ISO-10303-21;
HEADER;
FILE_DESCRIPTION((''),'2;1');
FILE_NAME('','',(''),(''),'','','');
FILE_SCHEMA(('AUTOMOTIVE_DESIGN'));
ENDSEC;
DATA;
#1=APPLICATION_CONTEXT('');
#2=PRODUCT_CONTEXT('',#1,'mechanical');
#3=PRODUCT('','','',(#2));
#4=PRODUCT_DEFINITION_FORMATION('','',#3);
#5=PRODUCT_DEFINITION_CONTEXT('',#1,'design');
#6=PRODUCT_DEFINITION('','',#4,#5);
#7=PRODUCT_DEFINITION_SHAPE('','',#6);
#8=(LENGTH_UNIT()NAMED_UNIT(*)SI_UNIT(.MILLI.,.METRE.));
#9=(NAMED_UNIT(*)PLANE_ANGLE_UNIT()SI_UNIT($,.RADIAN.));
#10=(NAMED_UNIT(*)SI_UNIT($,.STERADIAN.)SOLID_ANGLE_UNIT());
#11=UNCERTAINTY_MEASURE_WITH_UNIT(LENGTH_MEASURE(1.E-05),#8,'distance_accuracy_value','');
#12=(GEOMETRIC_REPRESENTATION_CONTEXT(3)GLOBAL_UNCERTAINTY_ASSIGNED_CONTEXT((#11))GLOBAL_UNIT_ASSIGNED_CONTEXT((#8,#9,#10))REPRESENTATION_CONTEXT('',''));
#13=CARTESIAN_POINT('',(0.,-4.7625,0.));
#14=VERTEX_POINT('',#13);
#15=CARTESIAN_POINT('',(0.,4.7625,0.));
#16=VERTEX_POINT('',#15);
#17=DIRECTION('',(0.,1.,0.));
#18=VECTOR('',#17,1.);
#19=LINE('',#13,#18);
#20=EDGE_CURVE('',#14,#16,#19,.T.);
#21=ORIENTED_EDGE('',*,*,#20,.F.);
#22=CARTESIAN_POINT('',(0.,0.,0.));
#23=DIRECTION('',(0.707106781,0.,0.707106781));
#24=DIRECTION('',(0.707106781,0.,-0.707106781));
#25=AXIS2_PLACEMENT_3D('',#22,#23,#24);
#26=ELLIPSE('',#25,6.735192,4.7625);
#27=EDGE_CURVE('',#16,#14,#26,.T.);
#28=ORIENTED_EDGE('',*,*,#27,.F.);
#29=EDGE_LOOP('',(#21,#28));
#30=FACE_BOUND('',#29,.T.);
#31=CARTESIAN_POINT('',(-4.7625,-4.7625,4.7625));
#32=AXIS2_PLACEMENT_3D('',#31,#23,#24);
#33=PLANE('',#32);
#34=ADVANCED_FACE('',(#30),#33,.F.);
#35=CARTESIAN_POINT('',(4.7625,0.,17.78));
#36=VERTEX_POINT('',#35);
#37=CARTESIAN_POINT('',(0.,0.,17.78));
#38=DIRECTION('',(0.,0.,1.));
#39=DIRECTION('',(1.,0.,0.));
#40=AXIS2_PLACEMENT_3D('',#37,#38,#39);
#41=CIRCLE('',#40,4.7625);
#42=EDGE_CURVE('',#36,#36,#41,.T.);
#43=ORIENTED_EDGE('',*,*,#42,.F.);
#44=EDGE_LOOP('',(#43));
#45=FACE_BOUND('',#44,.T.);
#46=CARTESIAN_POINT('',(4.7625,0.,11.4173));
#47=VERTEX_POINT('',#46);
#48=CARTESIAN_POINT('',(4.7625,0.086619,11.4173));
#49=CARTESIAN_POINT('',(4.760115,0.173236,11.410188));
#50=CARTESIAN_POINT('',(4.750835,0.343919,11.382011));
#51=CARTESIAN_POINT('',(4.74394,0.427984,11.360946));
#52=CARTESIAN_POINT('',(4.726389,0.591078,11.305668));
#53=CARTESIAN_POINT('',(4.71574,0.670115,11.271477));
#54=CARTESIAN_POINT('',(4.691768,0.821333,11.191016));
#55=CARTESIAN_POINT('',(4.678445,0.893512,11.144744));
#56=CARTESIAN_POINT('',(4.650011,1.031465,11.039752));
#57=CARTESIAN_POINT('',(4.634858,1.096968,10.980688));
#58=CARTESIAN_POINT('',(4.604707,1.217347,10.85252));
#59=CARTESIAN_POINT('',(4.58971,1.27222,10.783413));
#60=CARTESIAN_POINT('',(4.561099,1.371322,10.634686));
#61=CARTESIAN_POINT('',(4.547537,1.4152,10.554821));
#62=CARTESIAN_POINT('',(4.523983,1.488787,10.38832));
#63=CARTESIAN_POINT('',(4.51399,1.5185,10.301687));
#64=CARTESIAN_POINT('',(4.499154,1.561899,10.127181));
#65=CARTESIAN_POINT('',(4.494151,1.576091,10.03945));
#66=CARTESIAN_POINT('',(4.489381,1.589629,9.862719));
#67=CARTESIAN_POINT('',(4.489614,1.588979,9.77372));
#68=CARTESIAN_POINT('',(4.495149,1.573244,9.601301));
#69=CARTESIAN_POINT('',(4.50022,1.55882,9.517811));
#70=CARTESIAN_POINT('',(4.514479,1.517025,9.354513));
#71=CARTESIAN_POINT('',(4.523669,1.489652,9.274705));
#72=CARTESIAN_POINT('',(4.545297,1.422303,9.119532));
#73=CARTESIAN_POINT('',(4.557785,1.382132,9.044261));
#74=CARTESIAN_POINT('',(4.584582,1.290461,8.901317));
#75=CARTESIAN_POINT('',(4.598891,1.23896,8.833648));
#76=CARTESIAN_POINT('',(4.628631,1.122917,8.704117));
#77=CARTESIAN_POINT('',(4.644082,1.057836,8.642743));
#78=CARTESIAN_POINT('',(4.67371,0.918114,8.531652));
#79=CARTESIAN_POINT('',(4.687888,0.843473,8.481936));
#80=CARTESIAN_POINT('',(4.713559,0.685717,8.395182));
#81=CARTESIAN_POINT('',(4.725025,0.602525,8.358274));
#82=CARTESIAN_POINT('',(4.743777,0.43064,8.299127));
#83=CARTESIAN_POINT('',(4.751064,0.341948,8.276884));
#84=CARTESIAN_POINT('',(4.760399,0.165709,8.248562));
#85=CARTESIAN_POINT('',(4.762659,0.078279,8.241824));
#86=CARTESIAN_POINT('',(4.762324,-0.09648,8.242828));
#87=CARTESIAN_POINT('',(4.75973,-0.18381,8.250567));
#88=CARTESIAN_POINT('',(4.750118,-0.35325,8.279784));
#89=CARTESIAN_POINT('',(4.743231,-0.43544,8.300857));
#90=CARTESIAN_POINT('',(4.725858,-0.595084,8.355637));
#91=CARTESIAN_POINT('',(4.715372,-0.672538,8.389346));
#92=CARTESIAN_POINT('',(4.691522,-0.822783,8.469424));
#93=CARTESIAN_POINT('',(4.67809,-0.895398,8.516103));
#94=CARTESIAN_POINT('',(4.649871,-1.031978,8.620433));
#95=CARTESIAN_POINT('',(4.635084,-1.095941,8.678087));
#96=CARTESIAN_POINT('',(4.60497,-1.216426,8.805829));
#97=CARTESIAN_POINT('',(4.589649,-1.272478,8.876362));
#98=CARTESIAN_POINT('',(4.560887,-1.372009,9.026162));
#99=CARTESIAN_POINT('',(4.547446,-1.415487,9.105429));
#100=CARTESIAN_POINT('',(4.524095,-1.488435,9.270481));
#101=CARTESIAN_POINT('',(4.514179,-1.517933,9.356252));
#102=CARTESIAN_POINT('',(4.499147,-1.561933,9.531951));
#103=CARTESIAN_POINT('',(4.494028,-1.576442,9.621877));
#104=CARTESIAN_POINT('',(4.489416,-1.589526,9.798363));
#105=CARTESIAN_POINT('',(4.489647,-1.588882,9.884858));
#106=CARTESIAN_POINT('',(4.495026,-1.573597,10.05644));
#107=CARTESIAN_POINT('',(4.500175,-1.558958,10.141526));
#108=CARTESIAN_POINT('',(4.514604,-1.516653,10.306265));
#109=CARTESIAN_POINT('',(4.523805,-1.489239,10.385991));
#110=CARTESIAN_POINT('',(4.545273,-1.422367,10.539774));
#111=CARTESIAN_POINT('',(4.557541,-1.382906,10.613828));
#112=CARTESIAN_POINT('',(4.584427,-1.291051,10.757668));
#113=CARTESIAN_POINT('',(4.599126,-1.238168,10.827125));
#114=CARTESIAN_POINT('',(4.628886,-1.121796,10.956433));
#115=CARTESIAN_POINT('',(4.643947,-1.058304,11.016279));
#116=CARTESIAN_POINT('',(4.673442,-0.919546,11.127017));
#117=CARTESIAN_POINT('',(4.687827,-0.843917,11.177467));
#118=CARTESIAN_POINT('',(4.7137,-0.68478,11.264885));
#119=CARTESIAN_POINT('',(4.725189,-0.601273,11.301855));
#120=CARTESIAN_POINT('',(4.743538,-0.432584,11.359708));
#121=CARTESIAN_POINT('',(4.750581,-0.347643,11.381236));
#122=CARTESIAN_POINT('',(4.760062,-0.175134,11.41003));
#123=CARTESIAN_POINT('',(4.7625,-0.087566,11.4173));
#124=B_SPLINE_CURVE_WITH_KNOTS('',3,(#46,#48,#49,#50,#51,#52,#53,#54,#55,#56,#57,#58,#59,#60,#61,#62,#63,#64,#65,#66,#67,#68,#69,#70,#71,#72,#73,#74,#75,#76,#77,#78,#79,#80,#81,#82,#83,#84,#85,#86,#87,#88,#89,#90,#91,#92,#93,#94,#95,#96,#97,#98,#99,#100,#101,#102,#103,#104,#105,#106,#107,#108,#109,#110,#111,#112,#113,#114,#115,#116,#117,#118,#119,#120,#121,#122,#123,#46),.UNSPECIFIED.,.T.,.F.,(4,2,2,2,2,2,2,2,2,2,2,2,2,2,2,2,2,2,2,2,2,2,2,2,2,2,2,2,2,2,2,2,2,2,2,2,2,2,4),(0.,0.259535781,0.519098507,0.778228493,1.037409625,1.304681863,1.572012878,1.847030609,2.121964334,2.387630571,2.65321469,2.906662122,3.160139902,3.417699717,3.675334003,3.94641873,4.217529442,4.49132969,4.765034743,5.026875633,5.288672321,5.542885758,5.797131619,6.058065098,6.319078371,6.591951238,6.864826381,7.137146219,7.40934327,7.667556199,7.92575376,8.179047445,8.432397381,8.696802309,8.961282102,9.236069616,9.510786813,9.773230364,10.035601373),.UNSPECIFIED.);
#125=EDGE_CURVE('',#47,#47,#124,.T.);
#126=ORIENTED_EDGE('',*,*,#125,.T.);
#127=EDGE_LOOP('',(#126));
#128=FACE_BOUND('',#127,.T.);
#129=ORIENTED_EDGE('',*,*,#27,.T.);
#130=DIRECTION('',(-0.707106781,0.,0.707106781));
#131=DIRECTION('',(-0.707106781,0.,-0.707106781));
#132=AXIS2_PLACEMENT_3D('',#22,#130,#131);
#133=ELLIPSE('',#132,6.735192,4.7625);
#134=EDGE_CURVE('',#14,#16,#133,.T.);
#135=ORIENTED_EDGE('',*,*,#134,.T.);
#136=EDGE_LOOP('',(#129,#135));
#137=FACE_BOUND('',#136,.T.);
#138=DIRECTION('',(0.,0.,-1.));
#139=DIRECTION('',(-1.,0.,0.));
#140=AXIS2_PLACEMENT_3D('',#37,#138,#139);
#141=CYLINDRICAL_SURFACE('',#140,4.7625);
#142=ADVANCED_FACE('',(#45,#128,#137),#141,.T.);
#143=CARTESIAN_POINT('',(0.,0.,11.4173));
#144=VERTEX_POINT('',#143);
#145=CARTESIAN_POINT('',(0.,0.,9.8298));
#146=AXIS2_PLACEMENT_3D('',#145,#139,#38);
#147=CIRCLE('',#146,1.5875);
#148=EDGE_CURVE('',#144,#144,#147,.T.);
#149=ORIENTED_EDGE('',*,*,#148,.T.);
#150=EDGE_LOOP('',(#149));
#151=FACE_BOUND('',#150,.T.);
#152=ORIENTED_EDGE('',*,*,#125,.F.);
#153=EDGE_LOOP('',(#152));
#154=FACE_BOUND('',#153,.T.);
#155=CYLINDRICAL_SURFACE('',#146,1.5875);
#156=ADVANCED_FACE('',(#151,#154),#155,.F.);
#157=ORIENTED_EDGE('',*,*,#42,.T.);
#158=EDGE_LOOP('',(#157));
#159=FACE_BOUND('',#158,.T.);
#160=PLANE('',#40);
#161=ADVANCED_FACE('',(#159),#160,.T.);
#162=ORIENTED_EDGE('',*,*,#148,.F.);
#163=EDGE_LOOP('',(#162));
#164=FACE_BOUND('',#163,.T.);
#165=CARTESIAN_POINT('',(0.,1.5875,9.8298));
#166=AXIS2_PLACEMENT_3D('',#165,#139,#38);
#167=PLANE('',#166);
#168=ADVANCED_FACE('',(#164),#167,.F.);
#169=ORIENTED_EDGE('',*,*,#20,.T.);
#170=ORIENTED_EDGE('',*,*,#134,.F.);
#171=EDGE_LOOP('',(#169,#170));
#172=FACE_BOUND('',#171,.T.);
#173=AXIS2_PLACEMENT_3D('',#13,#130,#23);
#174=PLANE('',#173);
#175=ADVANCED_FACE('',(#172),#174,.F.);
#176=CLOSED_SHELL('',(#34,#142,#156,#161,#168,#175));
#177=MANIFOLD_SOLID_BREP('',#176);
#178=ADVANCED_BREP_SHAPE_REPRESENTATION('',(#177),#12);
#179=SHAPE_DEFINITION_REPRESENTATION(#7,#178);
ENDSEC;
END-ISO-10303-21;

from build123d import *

# Parameters (mm, degrees)
SKETCH1_R           = 4.7625
EXTRUDE1_DEPTH      = 17.78
EXTRUDE2_DEPTH      = 20.01292225
EXTRUDE2_DEPTH_BACK = 20.01292225


with BuildPart() as part:
    # Sketch1 → Extrude1 (new body)
    with BuildSketch(Plane.XY):
        Circle(SKETCH1_R)
    extrude(amount=EXTRUDE1_DEPTH)

    # Sketch2 → Extrude2 (cut, two sides: drawn at the far end of the back side and taken through both)
    with BuildSketch(Plane(origin=(0, 0, 0), x_dir=(1, 0, 0), z_dir=(0, 1, 0)).offset(-EXTRUDE2_DEPTH_BACK)):
        Polygon((0, 0), (4.7625, -4.7625), (4.7625, 1.90519665), (-4.7625, 1.90519665), (-4.7625, -4.7625), align=None)
    extrude(amount=EXTRUDE2_DEPTH + EXTRUDE2_DEPTH_BACK, mode=Mode.SUBTRACT)

    # Sketch5 → 1/8 (0.125) Diameter Hole1 (revolve, cut)
    with BuildSketch(Plane(origin=(0, 0, 9.8298), x_dir=(0, 0, 1), z_dir=(0, 1, 0))):
        Polygon((0, 0), (0, 16.955866233), (1.5875, 16.002), (1.5875, 0), align=None)
    revolve(axis=Axis((-6.35, 0, 9.8298), (1, 0, 0)), mode=Mode.SUBTRACT)


solid = part.part
